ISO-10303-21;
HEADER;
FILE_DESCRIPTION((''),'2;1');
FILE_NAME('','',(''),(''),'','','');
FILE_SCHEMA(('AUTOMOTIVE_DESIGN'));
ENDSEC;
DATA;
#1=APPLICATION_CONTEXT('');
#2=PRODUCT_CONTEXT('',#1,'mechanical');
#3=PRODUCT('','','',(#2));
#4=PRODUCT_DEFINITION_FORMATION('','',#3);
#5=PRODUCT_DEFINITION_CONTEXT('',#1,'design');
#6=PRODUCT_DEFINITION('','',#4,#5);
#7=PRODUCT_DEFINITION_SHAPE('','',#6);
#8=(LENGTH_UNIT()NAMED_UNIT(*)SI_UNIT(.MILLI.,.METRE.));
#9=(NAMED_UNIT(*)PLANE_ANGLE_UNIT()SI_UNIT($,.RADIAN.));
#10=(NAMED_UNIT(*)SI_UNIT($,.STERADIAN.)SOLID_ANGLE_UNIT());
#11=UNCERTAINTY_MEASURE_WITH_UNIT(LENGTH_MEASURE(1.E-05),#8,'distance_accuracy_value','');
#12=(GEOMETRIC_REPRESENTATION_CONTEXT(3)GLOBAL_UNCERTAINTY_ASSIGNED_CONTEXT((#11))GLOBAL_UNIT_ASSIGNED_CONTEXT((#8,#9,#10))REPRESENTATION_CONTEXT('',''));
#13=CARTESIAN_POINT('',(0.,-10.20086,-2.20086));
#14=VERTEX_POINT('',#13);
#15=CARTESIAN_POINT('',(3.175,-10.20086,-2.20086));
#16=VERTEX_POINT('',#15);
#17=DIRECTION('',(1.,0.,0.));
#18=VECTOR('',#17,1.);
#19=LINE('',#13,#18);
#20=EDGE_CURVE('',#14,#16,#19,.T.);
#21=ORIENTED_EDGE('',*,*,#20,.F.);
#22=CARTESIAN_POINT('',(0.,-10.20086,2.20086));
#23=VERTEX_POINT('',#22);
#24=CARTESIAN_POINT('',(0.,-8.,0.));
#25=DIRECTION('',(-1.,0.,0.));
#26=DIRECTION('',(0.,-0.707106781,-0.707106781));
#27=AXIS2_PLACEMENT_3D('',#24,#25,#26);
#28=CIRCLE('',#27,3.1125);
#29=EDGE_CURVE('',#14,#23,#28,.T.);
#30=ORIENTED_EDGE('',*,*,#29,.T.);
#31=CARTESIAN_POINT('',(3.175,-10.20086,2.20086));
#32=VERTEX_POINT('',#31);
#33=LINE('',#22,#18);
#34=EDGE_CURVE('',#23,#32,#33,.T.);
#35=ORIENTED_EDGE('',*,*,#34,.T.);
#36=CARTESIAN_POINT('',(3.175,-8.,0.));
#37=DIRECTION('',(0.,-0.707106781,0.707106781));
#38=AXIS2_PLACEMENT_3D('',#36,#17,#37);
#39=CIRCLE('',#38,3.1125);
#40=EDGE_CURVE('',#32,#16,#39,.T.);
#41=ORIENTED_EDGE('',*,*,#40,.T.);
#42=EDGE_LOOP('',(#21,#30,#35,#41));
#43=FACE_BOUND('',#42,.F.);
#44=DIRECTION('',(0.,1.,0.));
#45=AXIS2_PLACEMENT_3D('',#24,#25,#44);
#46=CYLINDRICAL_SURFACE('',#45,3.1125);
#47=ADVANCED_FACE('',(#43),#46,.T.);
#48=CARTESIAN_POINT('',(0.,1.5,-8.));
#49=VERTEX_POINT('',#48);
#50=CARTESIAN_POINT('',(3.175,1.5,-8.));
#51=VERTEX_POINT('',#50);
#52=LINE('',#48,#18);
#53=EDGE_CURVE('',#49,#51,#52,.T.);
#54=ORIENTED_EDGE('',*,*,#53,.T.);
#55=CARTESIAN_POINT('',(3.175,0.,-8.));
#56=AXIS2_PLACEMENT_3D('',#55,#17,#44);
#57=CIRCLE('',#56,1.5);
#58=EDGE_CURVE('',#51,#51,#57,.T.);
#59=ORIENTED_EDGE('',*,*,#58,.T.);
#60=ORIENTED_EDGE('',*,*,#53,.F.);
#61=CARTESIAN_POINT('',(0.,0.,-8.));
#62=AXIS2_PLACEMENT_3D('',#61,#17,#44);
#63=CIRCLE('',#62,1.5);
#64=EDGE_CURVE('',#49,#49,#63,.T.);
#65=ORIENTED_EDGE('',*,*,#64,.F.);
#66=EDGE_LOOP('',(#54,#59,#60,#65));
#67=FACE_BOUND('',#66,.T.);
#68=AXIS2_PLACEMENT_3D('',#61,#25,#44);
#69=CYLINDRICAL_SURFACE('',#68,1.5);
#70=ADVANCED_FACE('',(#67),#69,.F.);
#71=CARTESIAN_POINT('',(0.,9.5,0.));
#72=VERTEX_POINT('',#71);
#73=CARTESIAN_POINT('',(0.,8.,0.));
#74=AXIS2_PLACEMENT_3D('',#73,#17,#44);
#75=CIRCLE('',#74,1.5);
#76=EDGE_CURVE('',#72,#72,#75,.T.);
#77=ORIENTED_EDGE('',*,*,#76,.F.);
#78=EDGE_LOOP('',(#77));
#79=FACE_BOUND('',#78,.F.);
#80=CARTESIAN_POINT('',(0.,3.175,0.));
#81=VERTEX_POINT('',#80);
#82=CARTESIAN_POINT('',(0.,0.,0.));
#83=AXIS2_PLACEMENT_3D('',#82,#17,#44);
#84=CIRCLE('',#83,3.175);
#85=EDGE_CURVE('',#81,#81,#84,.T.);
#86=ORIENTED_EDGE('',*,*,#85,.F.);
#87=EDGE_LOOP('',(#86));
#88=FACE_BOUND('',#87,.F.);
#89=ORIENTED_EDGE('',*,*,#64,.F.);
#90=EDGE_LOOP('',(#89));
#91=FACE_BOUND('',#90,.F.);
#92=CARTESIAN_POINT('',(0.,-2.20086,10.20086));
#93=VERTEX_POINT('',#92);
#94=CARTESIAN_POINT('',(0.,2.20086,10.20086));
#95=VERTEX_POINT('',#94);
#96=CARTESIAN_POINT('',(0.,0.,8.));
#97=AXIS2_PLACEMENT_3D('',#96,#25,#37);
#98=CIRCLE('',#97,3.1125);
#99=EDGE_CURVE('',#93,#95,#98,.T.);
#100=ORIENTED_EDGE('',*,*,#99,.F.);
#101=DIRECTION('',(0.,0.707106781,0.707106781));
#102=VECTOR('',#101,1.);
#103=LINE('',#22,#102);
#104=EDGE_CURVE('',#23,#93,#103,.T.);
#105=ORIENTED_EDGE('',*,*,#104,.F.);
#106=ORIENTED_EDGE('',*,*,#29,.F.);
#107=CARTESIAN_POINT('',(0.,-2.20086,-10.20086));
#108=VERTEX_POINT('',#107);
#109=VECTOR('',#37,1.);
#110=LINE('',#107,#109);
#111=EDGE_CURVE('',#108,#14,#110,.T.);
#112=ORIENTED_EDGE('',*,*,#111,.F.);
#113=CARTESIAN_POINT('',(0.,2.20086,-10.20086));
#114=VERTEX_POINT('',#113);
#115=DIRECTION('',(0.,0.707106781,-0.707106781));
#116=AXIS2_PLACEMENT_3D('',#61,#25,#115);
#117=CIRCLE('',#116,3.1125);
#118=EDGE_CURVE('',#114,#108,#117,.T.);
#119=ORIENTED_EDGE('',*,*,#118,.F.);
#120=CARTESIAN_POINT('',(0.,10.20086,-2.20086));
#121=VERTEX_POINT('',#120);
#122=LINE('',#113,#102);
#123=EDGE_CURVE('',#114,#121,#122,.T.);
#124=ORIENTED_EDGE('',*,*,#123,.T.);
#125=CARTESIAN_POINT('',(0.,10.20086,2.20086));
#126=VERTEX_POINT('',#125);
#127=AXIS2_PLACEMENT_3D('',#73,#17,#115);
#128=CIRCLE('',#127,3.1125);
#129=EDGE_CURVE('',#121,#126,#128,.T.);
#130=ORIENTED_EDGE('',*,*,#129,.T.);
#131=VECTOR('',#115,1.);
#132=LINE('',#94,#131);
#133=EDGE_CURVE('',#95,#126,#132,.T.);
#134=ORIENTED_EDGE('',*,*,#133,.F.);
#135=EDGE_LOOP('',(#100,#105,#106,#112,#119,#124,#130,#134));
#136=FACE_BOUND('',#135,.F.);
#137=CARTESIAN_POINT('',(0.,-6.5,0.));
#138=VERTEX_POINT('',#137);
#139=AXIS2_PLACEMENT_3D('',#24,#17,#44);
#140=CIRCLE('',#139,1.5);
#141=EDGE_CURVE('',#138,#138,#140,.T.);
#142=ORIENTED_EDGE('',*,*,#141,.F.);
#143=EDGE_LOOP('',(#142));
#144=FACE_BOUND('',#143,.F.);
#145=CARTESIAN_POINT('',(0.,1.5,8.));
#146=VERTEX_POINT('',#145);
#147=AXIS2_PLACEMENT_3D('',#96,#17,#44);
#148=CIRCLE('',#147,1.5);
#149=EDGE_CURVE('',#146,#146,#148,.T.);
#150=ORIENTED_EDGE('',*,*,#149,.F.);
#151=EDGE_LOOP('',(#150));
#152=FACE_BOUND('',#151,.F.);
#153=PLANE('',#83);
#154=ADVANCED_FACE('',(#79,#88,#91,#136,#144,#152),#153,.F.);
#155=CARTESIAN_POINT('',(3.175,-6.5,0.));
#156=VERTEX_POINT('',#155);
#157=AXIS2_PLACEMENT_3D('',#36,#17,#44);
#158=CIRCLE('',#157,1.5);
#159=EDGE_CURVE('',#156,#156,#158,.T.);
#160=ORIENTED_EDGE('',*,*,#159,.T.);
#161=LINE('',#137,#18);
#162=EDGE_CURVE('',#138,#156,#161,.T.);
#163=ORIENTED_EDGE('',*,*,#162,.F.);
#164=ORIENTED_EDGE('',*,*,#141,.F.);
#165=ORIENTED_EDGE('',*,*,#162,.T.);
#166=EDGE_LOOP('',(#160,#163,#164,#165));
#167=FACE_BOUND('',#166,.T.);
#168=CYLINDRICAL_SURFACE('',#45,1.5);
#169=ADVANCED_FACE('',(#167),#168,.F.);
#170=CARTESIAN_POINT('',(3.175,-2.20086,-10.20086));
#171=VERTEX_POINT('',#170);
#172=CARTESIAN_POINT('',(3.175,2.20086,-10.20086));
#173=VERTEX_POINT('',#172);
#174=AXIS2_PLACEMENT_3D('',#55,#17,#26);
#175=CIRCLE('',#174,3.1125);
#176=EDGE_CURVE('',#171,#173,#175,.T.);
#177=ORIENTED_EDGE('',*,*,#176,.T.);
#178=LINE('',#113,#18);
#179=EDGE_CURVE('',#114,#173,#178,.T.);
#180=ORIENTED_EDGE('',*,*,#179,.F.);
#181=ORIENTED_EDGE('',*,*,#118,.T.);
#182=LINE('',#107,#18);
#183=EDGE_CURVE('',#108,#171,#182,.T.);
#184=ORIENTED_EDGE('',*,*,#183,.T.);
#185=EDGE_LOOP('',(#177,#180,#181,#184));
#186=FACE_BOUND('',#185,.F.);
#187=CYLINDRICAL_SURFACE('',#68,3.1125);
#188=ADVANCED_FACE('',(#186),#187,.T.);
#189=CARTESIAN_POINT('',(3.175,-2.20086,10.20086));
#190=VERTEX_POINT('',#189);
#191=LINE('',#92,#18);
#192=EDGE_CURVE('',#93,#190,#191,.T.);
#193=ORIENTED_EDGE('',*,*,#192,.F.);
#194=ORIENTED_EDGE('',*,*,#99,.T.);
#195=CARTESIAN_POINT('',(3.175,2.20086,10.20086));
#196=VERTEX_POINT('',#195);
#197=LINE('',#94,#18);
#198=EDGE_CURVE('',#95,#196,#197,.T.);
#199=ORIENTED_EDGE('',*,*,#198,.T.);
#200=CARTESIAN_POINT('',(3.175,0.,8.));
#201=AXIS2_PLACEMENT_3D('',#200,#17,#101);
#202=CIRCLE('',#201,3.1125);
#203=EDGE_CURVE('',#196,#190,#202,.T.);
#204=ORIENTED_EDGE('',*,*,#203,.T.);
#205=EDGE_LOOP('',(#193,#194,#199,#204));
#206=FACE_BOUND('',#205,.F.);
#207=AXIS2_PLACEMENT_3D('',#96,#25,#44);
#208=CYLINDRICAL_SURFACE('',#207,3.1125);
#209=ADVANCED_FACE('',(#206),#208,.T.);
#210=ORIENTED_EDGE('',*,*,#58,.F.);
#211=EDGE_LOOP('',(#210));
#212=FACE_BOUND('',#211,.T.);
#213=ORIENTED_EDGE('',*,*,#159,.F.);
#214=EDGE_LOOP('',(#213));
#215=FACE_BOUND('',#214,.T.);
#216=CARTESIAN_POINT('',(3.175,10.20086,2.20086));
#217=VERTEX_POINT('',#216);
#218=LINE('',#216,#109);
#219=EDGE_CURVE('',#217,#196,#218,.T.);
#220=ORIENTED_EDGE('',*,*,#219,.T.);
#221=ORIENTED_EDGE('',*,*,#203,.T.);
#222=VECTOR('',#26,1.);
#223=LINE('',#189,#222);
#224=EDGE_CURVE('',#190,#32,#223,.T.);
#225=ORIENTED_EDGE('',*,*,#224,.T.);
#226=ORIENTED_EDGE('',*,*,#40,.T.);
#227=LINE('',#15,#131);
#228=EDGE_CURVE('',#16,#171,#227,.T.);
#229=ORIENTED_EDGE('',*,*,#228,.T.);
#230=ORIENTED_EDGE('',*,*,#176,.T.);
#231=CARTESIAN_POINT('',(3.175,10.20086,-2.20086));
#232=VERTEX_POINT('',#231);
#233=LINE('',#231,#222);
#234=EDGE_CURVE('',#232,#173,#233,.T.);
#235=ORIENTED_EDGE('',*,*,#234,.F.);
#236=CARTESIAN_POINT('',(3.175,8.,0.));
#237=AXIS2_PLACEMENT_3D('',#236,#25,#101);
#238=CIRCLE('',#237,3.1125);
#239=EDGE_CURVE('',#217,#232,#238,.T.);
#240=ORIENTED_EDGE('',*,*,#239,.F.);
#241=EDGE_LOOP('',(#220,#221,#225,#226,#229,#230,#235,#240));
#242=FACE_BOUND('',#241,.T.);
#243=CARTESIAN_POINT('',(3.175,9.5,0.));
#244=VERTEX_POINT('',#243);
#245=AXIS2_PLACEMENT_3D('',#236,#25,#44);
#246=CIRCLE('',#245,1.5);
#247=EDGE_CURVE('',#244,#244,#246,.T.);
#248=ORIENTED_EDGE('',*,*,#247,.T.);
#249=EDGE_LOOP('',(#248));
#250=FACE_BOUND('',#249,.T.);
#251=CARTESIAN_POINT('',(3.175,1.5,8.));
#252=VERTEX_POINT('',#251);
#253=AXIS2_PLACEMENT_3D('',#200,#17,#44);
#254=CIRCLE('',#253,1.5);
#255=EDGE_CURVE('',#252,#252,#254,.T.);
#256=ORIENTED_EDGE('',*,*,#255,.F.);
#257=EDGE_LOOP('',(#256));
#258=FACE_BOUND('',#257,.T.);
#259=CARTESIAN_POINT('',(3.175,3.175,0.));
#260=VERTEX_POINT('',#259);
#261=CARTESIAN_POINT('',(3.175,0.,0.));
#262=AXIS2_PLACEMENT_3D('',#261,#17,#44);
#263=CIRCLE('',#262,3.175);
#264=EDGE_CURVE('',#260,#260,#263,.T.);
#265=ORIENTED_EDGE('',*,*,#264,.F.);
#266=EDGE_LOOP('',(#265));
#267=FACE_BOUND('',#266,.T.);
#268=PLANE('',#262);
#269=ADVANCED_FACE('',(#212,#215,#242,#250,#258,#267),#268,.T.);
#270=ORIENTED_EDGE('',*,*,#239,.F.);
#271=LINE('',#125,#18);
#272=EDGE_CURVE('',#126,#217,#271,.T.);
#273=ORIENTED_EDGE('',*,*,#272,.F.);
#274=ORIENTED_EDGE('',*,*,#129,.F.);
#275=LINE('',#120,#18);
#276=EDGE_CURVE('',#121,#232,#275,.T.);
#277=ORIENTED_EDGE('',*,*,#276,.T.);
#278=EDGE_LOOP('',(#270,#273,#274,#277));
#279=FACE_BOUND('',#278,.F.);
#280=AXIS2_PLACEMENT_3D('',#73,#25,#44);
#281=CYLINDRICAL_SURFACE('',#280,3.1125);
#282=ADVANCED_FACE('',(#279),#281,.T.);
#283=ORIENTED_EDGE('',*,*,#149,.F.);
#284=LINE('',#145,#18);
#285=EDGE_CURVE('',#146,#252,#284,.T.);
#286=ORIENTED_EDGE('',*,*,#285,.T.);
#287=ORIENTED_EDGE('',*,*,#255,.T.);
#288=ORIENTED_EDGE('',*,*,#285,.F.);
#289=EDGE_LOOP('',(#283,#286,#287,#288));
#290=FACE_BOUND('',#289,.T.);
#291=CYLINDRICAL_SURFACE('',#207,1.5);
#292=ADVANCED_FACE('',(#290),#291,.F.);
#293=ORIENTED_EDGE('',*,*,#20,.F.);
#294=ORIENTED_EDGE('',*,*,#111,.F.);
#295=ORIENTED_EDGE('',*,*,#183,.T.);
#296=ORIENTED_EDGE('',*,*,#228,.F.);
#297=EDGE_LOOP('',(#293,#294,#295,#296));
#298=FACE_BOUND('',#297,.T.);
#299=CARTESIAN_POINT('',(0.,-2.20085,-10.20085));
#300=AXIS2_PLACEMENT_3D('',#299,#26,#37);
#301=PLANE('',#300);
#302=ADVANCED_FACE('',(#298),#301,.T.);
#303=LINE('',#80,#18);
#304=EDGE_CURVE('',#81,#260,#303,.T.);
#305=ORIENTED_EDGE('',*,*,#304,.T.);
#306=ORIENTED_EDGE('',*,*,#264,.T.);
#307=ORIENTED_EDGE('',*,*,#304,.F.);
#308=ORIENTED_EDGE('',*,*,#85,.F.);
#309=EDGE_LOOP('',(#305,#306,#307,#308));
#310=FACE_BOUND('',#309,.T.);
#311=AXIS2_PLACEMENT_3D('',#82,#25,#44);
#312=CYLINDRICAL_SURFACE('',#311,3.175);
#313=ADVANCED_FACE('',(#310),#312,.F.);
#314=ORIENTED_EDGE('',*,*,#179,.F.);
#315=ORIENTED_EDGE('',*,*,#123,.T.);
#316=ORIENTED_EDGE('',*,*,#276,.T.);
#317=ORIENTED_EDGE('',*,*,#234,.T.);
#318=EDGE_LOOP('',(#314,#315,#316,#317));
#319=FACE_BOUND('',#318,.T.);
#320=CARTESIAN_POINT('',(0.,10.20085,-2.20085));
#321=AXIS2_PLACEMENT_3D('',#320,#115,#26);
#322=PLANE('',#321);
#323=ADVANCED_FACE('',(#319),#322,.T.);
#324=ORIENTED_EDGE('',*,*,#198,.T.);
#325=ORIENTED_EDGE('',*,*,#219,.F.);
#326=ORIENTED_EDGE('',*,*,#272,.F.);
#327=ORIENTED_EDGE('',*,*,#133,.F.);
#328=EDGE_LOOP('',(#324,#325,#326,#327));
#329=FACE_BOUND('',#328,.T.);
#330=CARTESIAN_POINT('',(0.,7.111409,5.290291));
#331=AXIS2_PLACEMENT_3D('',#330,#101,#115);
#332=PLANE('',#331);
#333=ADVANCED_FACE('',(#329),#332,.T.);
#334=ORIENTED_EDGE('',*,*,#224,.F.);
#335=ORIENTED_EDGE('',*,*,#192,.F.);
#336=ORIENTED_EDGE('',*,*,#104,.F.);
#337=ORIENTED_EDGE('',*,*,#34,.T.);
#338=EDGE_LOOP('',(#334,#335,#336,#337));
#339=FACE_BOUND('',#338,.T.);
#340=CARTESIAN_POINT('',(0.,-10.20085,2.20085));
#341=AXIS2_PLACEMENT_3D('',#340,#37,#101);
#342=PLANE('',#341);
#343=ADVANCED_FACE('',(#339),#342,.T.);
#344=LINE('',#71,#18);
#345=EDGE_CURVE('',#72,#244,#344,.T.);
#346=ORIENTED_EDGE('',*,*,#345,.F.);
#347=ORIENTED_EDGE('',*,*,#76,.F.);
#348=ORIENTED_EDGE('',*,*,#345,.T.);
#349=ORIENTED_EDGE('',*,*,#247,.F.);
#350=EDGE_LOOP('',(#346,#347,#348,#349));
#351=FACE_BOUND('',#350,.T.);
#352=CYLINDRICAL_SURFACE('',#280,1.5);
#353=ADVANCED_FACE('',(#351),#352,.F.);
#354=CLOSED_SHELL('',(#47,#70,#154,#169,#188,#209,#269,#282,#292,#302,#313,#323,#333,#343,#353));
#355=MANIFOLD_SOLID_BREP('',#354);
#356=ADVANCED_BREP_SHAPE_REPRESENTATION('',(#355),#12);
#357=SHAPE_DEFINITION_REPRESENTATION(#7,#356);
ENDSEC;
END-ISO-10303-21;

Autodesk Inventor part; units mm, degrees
ref_plane "YZ Plane" through (0, 0, 0) normal (1, 0, 0) x (0, 1, 0)
ref_plane "XZ Plane" through (0, 0, 0) normal (0, 1, 0) x (-1, 0, 0)
ref_plane "XY Plane" through (0, 0, 0) normal (0, 0, 1) x (1, 0, 0)
sketch "Sketch1" plane through (0, 0, 0) normal (1, 0, 0) x (0, 1, 0)
  circle A0 centre (0, 0) radius 11.1125
  line L0 (0, 0) -> (11.1125, 0)
  circle A1 centre (0, 0) radius 8 construction
  circle A2 centre (8, 0) radius 1.5
  circle A3 centre (5.6569, 5.6569) radius 1.5
  circle A4 centre (0, 8) radius 1.5
  circle A5 centre (-5.6569, 5.6569) radius 1.5
  circle A6 centre (-8, 0) radius 1.5
  circle A7 centre (-5.6569, -5.6569) radius 1.5
  circle A8 centre (0, -8) radius 1.5
  circle A9 centre (5.6569, -5.6569) radius 1.5
  circle A10 centre (0, 0) radius 3.175
  line L1 (-12.4017, 0) -> (0, 12.4017)
  line L2 (0, 12.4017) -> (12.4017, 0)
  line L3 (12.4017, 0) -> (0, -12.4017)
  line L4 (0, -12.4017) -> (-12.4017, 0)
  circle A11 centre (0, 8) radius 3.1125
  circle A12 centre (-8, 0) radius 3.1125
  circle A13 centre (0, -8) radius 3.1125
  circle A14 centre (8, 0) radius 3.1125
  point P0 (10.2009, 2.2009)
  point P1 (2.2009, 10.2009)
  point P2 (-2.2009, 10.2009)
  point P3 (-10.2009, 2.2009)
  point P4 (-10.2009, -2.2009)
  point P5 (-2.2009, -10.2009)
  point P6 (2.2009, -10.2009)
  point P7 (10.2009, -2.2009)
  dimension "d0" = 22.225
  dimension "d1" = 16
  dimension "d2" = 3
  dimension "d5" = 360
  dimension "d7" = 6.35
  dimension "d12" = 360
extrude "Extrusion1" add sketch "Sketch1" along normal blind 3.175 contours A14 L0 A2 | L0 A2 A14 | A14 L3 A9 A13 L4 A7 A12 L1 A5 A11 L2 A3 | A3 L2 | L3 A9 | A11 | A13 | A5 L1 | L4 A7 | A12 picked at (5.5263, 5.9374) picked at (5.3691, -6.0323) picked at (-5.9998, 5.4528) picked at (-5.3149, -5.4172)
properties part number "Brace" material "UHMW, White"
